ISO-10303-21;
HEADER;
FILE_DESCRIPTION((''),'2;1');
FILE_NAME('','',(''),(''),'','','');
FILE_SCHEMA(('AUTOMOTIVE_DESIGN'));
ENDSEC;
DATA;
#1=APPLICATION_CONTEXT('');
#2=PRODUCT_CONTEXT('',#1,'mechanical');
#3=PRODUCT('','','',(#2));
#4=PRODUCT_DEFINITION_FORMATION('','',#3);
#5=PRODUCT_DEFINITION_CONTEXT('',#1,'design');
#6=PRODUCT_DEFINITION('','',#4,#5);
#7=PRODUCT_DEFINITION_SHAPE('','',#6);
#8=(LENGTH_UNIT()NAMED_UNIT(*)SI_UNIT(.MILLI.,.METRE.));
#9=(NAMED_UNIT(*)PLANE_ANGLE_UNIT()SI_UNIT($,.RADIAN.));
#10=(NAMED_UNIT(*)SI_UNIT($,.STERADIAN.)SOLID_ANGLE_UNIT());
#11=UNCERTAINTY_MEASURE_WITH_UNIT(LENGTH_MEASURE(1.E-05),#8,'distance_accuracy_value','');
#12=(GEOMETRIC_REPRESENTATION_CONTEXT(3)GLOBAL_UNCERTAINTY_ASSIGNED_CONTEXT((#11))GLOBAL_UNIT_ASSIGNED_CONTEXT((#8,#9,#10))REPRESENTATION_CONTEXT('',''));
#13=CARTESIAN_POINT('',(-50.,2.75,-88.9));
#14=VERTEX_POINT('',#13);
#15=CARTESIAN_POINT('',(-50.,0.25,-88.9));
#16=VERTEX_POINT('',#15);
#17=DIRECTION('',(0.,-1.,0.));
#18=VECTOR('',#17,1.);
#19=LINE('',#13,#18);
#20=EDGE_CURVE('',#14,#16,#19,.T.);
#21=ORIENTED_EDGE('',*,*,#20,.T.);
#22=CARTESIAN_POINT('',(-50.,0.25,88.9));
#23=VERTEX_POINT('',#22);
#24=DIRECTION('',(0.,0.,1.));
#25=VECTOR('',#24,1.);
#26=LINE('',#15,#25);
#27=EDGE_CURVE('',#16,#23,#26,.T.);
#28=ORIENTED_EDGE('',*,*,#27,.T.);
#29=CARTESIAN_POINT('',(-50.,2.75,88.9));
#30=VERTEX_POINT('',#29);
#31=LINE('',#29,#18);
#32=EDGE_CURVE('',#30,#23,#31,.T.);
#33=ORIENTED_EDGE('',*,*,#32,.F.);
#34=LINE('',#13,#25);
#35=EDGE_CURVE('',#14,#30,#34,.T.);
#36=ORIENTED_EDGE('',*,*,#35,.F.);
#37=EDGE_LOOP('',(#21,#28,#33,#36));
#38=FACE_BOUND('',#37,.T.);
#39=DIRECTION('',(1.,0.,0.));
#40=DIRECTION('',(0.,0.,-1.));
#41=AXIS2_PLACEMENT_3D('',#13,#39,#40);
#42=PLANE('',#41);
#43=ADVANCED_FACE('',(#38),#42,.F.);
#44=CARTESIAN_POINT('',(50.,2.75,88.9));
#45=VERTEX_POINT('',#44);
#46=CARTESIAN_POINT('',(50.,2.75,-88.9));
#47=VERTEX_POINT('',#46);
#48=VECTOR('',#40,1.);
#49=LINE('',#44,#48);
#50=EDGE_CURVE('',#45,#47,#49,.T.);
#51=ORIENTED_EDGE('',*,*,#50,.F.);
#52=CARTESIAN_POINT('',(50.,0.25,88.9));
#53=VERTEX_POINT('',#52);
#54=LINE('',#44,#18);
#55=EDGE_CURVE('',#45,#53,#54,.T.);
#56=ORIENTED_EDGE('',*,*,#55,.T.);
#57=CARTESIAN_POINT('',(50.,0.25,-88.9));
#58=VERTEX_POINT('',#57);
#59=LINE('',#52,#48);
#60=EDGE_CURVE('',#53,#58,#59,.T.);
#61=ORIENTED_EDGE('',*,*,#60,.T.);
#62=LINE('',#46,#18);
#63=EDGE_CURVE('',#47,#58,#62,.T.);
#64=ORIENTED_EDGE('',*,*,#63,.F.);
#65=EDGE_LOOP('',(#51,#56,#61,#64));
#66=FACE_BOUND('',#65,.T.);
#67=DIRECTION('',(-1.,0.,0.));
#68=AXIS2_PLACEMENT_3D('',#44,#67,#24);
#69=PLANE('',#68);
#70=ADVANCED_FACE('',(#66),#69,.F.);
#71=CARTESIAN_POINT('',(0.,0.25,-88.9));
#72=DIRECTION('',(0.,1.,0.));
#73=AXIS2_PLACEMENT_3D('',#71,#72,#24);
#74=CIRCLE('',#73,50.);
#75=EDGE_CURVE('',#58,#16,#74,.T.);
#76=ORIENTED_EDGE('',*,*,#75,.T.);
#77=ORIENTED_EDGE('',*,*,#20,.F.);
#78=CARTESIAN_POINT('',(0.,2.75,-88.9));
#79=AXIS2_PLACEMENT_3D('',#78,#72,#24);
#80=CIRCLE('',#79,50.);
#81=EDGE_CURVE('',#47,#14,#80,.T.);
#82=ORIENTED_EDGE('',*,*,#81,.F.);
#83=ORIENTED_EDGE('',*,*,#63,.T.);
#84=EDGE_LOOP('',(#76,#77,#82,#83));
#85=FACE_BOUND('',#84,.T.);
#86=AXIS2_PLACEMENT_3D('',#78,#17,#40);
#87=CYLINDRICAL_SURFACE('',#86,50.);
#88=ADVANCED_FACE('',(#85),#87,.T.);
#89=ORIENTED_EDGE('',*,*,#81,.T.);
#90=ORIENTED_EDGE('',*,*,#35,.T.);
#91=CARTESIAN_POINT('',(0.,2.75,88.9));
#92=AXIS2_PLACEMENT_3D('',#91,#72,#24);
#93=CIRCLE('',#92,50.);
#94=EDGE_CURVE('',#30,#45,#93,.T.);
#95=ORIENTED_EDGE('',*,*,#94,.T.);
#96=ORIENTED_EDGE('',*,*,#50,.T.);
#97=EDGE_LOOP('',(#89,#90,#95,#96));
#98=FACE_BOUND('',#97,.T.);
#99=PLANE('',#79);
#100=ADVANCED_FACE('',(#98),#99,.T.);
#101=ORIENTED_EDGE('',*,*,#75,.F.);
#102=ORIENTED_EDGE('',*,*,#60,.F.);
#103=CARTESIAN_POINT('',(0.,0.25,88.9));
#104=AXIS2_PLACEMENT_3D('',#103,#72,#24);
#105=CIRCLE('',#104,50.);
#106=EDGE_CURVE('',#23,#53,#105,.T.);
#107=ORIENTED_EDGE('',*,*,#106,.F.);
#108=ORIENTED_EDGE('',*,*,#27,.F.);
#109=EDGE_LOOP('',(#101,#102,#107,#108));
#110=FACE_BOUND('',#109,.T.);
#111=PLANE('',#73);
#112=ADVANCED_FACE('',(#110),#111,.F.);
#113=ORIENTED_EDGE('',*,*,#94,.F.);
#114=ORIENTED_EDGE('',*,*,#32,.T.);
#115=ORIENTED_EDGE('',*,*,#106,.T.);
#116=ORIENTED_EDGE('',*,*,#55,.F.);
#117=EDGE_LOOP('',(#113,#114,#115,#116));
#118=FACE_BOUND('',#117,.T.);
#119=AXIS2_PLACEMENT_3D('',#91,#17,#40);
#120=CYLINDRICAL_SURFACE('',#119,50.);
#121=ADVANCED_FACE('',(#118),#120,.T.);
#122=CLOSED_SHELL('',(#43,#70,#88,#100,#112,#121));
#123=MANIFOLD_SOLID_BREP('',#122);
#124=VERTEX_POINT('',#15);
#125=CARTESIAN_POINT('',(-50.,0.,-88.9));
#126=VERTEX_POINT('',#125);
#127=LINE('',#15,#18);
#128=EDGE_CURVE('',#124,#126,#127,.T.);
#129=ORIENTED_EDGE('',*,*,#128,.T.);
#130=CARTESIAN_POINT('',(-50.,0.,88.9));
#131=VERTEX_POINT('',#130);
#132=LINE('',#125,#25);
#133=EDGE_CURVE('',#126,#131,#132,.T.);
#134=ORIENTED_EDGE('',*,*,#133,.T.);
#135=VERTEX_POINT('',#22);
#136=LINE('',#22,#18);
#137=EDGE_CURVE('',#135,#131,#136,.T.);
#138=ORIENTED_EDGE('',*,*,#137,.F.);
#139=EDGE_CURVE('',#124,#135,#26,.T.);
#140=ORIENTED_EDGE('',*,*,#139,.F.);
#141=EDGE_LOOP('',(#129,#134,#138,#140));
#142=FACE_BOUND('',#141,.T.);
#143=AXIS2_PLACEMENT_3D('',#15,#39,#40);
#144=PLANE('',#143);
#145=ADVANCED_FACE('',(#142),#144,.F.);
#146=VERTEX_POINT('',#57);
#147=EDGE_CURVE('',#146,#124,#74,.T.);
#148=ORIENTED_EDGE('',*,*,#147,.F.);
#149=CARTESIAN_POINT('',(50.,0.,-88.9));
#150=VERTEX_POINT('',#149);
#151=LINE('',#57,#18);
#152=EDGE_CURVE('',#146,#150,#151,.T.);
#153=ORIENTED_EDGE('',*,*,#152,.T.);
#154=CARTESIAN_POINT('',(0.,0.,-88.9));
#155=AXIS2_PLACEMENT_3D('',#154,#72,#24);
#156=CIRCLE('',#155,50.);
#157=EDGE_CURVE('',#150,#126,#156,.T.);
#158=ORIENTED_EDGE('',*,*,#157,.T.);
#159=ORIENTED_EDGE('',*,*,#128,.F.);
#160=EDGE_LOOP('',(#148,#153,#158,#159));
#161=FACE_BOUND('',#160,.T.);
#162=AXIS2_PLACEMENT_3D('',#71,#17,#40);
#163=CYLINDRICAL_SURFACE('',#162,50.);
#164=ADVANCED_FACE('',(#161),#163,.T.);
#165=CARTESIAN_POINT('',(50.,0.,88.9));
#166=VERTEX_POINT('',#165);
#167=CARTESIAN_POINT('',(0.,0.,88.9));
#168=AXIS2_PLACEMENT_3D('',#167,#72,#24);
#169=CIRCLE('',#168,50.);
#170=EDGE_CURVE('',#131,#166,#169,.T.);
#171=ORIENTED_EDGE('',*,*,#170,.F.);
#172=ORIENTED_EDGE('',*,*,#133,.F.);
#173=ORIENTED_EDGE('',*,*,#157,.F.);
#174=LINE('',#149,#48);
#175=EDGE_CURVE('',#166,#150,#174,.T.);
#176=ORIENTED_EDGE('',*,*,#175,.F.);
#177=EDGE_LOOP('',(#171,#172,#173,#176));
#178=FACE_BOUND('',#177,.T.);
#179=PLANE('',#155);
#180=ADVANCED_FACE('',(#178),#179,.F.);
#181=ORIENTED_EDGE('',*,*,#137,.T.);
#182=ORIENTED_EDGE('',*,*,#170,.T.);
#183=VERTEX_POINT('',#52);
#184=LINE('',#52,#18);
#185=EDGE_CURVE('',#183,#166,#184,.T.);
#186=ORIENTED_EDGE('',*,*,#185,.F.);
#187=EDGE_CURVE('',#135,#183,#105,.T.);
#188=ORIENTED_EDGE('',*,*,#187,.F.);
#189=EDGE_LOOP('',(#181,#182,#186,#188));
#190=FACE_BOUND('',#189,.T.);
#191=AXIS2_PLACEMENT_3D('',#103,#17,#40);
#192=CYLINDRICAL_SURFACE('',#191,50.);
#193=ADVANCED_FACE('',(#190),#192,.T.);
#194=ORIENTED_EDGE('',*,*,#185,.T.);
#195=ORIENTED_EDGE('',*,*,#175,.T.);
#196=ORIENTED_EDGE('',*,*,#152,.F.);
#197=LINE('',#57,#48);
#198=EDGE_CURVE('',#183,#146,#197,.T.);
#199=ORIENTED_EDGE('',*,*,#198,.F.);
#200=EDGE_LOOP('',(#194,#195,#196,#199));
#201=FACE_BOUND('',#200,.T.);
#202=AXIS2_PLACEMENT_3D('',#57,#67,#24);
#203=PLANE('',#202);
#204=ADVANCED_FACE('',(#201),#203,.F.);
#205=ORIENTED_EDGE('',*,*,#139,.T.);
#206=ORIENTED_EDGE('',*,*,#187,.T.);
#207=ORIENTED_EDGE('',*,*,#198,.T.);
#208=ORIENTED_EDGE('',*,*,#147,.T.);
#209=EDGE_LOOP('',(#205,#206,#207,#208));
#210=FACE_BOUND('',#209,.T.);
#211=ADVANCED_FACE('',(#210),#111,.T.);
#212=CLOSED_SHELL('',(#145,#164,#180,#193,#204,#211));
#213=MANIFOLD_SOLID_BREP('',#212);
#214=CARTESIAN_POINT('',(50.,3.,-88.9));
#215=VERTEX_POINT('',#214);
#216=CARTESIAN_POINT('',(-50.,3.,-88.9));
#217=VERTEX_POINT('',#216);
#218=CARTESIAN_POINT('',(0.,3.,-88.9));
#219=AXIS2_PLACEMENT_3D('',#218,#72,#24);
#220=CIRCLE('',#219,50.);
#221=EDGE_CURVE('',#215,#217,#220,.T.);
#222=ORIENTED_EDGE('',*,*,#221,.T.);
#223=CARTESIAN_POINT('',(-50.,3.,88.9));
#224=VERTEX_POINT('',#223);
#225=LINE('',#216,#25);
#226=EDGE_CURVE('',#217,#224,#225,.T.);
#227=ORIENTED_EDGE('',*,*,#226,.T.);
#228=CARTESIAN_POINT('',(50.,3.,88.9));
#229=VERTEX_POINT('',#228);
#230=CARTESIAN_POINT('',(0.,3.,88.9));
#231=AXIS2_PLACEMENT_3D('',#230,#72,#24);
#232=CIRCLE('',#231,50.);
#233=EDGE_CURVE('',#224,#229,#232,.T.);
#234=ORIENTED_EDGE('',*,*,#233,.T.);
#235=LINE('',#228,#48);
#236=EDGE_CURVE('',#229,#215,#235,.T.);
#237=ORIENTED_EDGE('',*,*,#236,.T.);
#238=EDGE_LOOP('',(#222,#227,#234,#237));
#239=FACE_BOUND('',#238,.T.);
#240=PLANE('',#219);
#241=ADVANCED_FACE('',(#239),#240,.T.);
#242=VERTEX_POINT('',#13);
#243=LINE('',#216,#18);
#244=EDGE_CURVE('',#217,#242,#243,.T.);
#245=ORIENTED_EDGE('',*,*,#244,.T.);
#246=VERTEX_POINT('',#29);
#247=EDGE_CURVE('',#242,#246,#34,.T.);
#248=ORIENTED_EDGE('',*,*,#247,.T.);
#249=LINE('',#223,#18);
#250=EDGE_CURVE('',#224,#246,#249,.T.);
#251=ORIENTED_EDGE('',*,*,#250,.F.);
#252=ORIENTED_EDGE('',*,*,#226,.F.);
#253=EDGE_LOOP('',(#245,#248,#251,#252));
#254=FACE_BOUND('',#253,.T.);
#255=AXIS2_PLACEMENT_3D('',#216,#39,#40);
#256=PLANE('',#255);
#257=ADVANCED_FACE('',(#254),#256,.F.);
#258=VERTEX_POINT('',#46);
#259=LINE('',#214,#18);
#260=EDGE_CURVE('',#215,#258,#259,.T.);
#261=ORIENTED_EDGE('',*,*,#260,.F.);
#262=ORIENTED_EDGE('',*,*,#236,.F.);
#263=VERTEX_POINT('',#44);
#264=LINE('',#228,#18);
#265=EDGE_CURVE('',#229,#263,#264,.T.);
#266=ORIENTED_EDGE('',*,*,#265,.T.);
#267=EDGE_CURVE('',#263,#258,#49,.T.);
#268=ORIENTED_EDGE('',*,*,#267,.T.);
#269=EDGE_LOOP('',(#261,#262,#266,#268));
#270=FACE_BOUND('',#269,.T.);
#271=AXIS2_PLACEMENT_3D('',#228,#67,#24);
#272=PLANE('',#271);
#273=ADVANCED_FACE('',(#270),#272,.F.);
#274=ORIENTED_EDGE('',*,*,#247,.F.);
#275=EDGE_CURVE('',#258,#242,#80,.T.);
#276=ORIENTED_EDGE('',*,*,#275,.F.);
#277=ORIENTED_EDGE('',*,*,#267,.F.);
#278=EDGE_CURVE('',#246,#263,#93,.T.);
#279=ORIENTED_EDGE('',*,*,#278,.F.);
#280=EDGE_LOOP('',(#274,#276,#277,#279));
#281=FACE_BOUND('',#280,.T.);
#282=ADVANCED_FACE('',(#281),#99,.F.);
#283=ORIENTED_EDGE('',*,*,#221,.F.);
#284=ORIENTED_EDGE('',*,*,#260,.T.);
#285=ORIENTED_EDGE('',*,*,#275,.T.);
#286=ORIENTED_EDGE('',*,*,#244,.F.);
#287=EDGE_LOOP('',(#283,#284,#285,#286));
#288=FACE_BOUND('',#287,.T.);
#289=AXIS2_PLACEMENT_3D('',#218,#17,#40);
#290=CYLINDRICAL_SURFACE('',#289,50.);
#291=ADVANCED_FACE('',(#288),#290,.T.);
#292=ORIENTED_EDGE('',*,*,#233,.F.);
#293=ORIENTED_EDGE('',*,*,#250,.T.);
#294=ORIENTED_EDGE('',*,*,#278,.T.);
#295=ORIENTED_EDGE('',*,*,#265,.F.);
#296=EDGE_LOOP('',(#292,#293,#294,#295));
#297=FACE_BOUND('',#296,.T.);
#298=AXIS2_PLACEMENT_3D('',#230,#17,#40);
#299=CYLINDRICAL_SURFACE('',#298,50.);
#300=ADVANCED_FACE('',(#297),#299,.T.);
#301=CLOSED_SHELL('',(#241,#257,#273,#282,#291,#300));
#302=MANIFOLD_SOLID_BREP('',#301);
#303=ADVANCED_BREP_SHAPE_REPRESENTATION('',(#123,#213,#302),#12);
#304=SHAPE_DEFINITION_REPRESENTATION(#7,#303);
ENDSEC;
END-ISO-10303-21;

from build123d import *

# Parameters (mm, degrees)
BOSS_EXTRUDE1_DEPTH = 0.25
BOSS_EXTRUDE6_DEPTH = 2.5
BOSS_EXTRUDE7_DEPTH = 0.25


with BuildPart() as part:
    # Sketch1 → Boss-Extrude1 (new body)
    with BuildSketch(Plane(origin=(0, 0, 0), x_dir=(1, 0, 0), z_dir=(0, 1, 0))):
        with BuildLine():
            Line((50, 88.9), (50, -88.9))
            ThreePointArc((50, -88.9), (0, -138.9), (-50, -88.9))
            Line((-50, -88.9), (-50, 88.9))
            ThreePointArc((-50, 88.9), (0, 138.9), (50, 88.9))
        make_face()
    extrude(amount=BOSS_EXTRUDE1_DEPTH)


with BuildPart() as body_2:
    # Sketch5 → Boss-Extrude6 (new body)
    with BuildSketch(Plane(origin=(0, 0.25, 0), x_dir=(1, 0, 0), z_dir=(0, 1, 0))):
        with BuildLine():
            Line((-50, 88.9), (-50, -88.9))
            ThreePointArc((-50, -88.9), (0, -138.9), (50, -88.9))
            Line((50, -88.9), (50, 88.9))
            ThreePointArc((50, 88.9), (0, 138.9), (-50, 88.9))
        make_face()
    extrude(amount=BOSS_EXTRUDE6_DEPTH)


with BuildPart() as body_3:
    # Sketch6 → Boss-Extrude7 (new body)
    with BuildSketch(Plane(origin=(0, 2.75, 0), x_dir=(1, 0, 0), z_dir=(0, 1, 0))):
        with BuildLine():
            Line((-50, 88.9), (-50, -88.9))
            ThreePointArc((-50, -88.9), (0, -138.9), (50, -88.9))
            Line((50, -88.9), (50, 88.9))
            ThreePointArc((50, 88.9), (0, 138.9), (-50, 88.9))
        make_face()
    extrude(amount=BOSS_EXTRUDE7_DEPTH)


solid = Compound([part.part, body_2.part, body_3.part])
